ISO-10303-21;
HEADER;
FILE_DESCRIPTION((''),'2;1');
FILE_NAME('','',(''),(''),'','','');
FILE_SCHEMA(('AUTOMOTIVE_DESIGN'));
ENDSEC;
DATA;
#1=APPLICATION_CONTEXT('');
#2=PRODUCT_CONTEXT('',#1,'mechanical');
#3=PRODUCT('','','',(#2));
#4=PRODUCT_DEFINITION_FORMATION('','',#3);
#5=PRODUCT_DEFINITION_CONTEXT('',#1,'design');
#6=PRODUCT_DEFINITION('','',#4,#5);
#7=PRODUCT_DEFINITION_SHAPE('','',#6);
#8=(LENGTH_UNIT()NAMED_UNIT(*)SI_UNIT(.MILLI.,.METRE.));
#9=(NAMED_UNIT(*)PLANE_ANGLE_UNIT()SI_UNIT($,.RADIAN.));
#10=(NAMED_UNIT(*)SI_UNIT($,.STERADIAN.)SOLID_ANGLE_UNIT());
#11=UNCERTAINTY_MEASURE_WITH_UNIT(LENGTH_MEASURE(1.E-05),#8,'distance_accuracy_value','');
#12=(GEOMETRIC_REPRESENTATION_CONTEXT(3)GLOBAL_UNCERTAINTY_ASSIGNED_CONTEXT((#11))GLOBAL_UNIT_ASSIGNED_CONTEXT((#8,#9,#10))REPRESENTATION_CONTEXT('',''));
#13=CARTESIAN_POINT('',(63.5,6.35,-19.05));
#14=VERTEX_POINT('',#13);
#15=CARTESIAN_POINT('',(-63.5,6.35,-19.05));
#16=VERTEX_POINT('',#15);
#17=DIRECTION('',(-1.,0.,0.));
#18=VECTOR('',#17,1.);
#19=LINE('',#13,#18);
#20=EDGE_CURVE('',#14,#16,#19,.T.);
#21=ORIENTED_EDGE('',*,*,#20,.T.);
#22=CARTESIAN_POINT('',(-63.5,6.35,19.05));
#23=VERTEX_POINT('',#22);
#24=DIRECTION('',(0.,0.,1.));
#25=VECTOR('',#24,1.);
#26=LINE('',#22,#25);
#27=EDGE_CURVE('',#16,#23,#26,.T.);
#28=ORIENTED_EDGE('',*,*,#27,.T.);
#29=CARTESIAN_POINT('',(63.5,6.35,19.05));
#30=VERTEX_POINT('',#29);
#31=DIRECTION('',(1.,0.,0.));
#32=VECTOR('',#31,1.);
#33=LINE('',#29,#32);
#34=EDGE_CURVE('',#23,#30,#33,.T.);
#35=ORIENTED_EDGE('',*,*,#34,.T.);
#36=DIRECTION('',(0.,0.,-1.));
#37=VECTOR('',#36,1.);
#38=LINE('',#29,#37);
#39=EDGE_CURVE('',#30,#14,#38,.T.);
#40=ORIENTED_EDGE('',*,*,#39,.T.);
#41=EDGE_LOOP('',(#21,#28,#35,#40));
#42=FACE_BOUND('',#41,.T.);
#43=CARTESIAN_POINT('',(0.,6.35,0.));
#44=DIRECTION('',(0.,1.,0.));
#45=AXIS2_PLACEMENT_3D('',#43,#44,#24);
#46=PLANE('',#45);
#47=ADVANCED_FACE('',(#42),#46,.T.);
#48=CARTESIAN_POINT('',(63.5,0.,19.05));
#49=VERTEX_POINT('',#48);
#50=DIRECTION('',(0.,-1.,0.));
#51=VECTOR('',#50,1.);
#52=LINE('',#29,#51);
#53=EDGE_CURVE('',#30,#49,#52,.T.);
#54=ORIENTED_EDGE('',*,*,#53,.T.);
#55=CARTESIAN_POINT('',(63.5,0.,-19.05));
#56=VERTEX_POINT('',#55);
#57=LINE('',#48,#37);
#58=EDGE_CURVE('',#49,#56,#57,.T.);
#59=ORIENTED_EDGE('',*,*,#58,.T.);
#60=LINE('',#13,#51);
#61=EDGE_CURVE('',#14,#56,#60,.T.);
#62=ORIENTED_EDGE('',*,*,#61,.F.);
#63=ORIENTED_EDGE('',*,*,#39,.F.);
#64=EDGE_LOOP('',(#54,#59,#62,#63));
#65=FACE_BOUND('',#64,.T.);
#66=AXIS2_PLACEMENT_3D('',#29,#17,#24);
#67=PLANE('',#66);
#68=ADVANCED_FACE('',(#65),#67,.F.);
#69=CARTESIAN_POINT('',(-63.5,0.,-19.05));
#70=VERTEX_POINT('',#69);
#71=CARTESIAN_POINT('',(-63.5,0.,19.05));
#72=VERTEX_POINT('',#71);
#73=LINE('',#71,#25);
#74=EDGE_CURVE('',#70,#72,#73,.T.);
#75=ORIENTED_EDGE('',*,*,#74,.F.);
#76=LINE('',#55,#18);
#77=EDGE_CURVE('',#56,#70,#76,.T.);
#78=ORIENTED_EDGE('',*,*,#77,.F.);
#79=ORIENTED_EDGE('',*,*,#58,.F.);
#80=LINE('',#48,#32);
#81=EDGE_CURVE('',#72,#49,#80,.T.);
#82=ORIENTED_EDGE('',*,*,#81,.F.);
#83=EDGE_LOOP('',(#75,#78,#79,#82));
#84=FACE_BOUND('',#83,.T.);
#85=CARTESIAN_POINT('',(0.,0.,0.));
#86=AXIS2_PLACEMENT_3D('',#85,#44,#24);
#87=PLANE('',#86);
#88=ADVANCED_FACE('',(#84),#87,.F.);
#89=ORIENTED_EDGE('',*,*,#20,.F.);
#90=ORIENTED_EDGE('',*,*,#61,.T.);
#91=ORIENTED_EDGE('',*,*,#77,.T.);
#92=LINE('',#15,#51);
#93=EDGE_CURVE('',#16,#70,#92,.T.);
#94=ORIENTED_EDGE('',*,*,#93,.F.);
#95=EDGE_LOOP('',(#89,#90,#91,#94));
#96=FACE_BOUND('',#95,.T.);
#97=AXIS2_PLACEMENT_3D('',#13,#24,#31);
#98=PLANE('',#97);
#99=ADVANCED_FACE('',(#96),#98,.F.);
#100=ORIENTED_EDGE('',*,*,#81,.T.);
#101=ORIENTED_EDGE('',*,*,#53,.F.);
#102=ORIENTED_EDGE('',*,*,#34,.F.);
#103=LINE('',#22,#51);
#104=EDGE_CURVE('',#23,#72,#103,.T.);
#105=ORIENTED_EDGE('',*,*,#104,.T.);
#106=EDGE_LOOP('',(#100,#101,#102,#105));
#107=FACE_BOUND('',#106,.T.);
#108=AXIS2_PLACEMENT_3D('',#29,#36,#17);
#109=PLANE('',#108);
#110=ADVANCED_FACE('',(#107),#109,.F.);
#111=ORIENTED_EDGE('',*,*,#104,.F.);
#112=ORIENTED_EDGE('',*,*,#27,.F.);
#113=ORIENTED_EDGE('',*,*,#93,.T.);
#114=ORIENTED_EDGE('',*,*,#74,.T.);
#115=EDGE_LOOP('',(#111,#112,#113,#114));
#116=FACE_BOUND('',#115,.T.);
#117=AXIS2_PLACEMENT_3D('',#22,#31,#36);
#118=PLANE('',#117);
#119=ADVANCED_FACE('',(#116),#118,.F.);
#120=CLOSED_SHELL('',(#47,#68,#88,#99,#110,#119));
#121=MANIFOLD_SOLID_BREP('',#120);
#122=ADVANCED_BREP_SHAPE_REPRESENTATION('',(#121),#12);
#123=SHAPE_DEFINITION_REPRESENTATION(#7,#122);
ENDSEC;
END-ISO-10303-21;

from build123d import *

# Parameters (mm, degrees)
SKETCH1_W  = 127
SKETCH1_H  = 38.1
MAIN_DEPTH = 6.35


with BuildPart() as part:
    # Sketch1 → Main (new body)
    with BuildSketch(Plane(origin=(0, 0, 0), x_dir=(1, 0, 0), z_dir=(0, 1, 0))):
        Rectangle(SKETCH1_W, SKETCH1_H)
    extrude(amount=MAIN_DEPTH)


solid = part.part
